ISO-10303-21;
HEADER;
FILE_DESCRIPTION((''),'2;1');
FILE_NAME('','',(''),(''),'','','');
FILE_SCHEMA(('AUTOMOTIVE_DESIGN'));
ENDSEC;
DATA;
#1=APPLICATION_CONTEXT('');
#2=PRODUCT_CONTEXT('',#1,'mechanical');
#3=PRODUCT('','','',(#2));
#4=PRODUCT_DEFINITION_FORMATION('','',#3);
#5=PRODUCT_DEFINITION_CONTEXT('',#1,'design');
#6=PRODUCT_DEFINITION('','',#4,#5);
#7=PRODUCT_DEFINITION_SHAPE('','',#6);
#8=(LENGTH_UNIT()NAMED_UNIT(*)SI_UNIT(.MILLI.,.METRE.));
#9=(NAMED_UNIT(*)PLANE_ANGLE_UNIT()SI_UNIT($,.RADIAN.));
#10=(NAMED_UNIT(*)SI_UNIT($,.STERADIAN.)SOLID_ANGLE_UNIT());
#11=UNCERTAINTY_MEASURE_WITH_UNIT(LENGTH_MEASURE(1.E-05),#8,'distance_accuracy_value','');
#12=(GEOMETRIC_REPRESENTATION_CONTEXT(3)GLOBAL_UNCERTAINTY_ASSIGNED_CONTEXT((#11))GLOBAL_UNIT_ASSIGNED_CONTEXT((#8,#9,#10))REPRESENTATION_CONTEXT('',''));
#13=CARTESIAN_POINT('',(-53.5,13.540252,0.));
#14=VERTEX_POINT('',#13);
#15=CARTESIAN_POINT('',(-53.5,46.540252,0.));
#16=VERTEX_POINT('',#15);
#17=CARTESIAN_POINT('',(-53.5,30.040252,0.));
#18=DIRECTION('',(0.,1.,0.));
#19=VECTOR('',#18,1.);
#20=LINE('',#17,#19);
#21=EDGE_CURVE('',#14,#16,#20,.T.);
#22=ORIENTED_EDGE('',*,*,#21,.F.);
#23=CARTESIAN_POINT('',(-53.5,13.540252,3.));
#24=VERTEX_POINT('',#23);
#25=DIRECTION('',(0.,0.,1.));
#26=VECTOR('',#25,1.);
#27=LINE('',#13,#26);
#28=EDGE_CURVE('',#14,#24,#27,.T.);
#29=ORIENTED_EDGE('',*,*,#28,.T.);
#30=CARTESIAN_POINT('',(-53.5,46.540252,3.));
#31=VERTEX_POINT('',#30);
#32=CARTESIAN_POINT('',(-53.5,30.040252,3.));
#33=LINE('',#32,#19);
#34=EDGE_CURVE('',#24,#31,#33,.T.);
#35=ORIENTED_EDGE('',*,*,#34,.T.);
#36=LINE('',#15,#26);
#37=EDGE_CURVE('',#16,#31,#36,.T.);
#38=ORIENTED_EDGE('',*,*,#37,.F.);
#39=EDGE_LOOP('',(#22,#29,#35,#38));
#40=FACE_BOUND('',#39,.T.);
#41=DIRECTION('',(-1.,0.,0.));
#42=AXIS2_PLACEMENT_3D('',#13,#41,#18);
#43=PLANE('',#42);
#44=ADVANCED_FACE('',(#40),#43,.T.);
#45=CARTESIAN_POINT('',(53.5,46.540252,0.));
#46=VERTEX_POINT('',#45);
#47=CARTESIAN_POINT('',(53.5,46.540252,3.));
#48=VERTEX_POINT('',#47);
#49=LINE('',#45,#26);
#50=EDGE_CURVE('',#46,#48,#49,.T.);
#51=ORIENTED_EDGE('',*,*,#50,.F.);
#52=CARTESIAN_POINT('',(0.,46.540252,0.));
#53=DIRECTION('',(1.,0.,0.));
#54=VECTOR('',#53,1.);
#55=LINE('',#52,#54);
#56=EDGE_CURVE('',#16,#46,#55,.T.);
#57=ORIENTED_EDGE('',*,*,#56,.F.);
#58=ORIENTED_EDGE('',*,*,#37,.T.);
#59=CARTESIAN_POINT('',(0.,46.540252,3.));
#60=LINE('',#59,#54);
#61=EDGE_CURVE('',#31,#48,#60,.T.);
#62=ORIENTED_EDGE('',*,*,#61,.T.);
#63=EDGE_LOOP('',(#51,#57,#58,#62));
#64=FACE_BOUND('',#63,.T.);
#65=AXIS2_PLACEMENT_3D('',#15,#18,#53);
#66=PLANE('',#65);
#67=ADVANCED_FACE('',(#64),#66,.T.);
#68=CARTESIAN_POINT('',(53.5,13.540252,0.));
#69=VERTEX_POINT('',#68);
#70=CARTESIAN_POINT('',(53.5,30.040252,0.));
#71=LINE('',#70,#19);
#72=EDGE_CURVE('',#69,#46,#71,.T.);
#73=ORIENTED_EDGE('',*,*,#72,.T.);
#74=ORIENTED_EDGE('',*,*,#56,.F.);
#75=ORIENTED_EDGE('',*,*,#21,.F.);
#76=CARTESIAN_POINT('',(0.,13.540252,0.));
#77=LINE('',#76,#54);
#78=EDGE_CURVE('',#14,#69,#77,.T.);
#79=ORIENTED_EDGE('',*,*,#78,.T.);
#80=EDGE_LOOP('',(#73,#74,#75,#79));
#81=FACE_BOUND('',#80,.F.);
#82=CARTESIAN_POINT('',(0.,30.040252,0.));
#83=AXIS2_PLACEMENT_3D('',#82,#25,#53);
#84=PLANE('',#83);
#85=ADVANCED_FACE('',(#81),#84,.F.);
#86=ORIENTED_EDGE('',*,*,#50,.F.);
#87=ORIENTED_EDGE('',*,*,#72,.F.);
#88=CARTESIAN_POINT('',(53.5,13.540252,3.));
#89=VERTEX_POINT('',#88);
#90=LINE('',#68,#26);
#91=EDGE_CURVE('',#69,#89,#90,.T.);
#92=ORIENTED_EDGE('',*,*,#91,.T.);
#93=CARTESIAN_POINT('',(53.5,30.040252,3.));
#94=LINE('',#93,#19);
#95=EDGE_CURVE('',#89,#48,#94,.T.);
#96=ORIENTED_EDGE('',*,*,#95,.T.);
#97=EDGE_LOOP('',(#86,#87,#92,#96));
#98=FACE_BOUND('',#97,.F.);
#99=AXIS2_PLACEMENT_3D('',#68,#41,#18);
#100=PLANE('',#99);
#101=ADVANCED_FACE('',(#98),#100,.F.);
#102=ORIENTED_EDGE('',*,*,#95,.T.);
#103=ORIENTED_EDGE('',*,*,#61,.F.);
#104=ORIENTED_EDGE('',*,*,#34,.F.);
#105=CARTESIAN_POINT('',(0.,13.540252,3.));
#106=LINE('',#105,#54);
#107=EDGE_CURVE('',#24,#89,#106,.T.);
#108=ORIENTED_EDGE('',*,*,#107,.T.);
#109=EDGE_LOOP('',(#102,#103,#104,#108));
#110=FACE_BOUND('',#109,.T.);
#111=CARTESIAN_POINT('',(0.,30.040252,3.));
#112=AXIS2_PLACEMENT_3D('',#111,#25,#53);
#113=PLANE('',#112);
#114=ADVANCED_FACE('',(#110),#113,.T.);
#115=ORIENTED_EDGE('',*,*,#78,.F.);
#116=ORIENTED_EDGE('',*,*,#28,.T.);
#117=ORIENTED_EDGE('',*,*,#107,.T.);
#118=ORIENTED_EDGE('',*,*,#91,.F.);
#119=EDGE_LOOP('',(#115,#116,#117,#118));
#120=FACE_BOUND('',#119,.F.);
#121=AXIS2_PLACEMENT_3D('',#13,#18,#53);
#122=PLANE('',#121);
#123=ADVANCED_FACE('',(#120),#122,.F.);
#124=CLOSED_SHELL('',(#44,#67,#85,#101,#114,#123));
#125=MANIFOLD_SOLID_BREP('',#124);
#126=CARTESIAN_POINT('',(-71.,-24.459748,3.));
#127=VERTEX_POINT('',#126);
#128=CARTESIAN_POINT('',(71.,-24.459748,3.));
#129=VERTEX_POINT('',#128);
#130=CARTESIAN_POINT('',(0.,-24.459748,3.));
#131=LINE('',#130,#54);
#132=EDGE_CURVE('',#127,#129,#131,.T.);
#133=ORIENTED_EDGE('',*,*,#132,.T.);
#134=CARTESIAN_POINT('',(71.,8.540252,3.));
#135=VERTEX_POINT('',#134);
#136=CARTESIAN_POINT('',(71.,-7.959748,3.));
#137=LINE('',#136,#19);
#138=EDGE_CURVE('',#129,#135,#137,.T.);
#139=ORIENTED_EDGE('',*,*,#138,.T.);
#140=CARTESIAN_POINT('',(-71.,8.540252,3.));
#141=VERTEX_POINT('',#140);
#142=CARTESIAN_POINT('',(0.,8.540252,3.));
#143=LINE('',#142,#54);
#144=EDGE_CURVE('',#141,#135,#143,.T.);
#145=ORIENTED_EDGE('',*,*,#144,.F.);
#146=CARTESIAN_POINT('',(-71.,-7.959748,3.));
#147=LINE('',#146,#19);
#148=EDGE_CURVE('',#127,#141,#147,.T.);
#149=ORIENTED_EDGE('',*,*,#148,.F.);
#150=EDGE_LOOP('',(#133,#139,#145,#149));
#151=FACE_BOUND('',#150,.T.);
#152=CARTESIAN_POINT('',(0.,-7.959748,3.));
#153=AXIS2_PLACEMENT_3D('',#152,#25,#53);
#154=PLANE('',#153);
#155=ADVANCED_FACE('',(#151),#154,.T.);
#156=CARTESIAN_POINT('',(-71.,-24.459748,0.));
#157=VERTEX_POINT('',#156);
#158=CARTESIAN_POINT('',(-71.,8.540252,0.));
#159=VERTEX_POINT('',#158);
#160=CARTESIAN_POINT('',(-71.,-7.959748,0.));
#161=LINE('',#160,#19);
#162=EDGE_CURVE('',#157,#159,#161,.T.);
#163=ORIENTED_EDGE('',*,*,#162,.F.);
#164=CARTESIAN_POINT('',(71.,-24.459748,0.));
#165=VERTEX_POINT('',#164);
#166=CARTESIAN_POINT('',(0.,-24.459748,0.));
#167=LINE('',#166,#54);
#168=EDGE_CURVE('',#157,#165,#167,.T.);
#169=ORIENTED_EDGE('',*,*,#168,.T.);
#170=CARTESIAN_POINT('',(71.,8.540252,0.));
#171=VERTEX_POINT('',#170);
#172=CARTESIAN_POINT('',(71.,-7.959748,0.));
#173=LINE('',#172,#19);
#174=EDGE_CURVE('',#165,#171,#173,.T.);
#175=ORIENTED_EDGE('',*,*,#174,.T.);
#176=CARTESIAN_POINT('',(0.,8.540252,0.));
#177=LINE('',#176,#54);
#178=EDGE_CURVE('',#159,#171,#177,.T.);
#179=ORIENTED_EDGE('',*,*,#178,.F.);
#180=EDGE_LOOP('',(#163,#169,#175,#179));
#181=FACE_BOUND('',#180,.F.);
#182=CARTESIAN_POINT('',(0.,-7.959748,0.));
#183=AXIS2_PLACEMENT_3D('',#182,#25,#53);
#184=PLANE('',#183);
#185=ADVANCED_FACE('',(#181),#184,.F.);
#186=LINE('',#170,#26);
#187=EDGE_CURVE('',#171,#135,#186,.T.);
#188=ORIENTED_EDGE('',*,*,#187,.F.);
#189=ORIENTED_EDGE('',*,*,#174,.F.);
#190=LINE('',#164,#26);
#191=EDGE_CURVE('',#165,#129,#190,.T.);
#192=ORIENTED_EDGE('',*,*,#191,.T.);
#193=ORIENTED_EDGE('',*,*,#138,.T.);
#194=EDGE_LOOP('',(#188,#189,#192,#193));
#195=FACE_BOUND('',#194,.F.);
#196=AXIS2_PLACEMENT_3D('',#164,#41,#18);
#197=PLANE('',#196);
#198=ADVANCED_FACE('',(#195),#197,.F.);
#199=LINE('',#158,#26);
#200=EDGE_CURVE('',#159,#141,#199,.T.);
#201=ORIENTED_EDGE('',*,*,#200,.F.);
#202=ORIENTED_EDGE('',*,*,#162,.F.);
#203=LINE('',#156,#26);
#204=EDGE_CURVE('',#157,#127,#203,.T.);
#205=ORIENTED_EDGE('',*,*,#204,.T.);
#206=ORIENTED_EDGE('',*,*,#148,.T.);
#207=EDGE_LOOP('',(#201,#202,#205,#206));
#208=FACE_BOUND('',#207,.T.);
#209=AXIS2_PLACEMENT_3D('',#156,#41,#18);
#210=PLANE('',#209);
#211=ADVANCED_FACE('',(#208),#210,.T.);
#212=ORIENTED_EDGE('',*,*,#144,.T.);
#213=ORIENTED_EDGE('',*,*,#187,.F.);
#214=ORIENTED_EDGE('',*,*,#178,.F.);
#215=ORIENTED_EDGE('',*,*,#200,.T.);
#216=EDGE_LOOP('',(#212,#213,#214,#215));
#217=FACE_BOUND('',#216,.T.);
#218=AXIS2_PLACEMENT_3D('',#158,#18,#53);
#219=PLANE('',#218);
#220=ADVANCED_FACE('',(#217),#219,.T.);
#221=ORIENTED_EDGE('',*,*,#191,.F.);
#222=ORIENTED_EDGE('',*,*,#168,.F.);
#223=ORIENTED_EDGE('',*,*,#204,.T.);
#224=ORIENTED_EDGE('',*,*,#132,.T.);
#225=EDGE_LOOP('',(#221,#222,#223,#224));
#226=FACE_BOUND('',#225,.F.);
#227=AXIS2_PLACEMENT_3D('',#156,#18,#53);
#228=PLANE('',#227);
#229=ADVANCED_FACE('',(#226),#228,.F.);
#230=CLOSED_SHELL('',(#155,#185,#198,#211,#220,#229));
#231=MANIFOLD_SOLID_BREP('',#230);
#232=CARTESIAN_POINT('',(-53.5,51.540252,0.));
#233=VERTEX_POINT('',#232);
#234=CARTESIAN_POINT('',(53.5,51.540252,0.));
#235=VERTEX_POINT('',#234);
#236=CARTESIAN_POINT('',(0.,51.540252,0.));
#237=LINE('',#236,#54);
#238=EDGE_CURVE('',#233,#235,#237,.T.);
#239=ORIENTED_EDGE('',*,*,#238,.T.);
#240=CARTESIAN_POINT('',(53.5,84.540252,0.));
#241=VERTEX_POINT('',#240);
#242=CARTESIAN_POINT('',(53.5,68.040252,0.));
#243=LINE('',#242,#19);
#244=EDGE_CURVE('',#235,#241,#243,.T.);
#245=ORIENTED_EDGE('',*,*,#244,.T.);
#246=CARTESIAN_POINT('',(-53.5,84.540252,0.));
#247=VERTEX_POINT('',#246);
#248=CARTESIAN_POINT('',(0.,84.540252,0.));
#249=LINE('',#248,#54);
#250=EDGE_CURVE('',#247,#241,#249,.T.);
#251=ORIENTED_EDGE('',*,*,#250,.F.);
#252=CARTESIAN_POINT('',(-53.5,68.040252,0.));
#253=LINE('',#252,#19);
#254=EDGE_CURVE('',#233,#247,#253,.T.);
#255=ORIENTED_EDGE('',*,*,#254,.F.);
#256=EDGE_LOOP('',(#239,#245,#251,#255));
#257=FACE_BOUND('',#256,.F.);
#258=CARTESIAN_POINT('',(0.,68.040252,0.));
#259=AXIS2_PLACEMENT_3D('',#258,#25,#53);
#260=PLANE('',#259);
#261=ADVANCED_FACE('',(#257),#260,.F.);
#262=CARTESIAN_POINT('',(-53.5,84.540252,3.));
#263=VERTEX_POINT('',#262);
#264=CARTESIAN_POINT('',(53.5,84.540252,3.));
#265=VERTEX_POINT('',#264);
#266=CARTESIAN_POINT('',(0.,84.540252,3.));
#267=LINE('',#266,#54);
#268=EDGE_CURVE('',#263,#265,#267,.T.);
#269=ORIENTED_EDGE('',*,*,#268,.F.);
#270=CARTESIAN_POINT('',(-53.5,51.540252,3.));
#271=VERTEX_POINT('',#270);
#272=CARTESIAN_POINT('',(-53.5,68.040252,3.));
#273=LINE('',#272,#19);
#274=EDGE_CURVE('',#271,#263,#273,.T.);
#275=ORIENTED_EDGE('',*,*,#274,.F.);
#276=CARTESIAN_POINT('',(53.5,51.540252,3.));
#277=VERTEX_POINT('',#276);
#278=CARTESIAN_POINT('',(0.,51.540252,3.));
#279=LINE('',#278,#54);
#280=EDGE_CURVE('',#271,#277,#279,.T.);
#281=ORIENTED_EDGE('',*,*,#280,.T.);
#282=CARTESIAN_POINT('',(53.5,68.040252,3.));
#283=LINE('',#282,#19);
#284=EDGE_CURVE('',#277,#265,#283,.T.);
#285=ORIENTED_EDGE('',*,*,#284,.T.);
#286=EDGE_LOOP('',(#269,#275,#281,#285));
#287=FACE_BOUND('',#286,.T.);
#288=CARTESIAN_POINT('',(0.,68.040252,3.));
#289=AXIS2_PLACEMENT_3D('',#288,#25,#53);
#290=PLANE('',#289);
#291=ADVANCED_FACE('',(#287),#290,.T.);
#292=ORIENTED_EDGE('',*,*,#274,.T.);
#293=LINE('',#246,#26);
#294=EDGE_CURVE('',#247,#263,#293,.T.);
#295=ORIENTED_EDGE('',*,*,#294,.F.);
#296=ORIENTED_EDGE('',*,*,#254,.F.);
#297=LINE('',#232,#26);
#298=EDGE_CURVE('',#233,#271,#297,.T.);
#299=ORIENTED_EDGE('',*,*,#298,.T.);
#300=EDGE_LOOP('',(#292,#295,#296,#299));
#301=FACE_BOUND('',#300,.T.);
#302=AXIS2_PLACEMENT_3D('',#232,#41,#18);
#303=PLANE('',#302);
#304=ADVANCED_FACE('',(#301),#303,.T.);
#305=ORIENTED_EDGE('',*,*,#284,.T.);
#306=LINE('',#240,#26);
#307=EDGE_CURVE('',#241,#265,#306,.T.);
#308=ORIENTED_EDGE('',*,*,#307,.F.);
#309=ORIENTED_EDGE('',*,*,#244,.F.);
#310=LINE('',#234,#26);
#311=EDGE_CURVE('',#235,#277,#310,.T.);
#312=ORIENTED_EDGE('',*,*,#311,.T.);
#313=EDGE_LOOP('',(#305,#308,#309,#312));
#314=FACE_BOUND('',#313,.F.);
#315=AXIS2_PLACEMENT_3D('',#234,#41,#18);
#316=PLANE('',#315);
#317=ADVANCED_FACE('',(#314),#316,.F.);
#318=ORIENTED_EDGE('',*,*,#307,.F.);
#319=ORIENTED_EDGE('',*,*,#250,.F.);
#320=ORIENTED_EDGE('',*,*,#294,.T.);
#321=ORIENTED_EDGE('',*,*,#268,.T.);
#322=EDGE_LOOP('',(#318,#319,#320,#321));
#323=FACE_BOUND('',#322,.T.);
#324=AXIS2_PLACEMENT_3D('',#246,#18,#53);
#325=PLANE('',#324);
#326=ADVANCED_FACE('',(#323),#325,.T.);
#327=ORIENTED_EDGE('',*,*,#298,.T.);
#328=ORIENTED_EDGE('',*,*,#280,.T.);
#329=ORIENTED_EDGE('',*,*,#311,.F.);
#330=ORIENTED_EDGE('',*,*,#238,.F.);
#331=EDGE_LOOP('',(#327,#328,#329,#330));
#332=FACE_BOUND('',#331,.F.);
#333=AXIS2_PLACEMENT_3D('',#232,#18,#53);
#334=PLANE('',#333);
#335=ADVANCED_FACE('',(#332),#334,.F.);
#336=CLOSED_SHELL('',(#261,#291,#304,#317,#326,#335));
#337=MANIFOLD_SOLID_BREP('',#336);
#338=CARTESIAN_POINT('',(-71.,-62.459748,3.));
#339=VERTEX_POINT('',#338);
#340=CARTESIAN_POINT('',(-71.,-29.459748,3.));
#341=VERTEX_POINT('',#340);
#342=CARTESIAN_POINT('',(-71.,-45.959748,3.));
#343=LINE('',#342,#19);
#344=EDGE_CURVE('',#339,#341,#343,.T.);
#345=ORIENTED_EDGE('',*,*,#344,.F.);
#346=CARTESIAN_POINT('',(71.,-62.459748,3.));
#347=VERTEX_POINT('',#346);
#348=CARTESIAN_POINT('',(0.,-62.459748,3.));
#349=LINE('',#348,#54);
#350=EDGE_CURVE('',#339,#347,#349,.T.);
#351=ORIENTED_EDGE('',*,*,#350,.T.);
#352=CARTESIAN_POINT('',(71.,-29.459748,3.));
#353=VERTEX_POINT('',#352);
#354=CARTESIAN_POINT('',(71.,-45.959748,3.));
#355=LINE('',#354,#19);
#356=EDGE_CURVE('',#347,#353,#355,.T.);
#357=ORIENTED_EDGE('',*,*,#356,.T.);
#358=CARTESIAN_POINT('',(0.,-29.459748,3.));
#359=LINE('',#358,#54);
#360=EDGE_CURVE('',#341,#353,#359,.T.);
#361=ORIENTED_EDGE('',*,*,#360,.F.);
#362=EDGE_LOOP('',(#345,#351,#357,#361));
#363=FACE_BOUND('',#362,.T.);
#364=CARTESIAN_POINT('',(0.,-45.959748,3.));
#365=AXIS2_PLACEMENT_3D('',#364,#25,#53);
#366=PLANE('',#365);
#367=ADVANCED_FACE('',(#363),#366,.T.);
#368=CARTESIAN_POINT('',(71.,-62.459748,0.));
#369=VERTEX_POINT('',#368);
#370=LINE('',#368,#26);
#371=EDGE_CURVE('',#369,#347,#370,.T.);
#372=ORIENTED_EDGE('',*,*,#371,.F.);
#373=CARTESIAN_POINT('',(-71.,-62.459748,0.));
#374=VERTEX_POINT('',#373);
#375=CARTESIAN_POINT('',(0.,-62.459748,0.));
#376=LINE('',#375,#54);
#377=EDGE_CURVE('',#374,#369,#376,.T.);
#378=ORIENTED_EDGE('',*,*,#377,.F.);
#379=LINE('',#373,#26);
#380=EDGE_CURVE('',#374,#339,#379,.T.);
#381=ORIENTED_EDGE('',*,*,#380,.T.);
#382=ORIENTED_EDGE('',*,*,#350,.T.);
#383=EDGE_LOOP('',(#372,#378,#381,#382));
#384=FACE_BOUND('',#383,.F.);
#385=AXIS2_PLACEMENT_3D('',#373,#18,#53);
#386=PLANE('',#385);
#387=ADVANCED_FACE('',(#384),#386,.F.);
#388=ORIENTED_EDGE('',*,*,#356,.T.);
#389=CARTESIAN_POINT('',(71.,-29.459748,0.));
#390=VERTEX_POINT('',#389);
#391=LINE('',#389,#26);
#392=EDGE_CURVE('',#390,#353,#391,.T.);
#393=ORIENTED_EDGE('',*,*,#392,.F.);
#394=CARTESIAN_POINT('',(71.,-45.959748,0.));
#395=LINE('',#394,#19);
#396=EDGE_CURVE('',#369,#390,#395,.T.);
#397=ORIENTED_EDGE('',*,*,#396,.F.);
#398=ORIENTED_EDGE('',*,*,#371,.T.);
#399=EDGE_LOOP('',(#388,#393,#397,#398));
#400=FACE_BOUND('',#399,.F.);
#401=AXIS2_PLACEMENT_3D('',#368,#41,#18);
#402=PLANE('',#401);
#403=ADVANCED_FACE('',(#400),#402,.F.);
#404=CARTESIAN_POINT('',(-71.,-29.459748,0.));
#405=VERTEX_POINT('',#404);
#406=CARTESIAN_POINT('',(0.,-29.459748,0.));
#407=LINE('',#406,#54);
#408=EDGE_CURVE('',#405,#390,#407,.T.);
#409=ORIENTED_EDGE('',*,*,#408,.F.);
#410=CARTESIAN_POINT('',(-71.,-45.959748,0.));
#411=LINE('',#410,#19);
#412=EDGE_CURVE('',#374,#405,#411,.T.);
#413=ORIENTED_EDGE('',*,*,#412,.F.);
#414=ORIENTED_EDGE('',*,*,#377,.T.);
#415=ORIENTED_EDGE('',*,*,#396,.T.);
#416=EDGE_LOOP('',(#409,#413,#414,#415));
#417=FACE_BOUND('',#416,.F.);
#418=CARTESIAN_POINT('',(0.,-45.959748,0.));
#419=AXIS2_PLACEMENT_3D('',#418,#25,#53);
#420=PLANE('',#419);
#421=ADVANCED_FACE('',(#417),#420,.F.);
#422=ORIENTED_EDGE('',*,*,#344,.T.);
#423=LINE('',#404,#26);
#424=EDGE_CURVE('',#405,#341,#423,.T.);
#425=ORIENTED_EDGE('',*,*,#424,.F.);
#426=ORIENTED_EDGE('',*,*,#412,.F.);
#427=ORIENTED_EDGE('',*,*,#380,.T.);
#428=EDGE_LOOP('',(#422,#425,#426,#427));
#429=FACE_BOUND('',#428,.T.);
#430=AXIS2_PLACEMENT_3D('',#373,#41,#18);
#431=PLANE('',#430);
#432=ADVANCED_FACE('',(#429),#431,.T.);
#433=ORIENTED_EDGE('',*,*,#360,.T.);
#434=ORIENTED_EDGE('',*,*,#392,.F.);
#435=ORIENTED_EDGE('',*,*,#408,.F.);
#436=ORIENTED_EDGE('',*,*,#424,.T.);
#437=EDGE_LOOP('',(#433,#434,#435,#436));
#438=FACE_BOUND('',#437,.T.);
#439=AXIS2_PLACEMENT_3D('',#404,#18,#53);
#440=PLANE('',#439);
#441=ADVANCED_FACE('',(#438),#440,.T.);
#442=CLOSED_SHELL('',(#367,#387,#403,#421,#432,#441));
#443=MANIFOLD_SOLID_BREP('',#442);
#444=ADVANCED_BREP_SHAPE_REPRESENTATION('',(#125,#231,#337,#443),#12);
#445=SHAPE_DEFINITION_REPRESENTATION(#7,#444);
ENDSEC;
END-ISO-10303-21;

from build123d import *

# Parameters (mm, degrees)
F0_W     = 107
F0_H     = 33
F0_W_2   = 142
F1_DEPTH = 3


with BuildPart() as f1:
    # F0 (on Top) → F1 (new body)
    with BuildSketch(Plane.XY):
        with Locations((0, 68.040252)):
            Rectangle(F0_W, F0_H)
        with Locations((0, 30.040252)):
            Rectangle(F0_W, F0_H)
        with Locations((0, -7.959748)):
            Rectangle(F0_W_2, F0_H)
        with Locations((0, -45.959748)):
            Rectangle(F0_W_2, F0_H)
    extrude(amount=F1_DEPTH)


solid = f1.part
